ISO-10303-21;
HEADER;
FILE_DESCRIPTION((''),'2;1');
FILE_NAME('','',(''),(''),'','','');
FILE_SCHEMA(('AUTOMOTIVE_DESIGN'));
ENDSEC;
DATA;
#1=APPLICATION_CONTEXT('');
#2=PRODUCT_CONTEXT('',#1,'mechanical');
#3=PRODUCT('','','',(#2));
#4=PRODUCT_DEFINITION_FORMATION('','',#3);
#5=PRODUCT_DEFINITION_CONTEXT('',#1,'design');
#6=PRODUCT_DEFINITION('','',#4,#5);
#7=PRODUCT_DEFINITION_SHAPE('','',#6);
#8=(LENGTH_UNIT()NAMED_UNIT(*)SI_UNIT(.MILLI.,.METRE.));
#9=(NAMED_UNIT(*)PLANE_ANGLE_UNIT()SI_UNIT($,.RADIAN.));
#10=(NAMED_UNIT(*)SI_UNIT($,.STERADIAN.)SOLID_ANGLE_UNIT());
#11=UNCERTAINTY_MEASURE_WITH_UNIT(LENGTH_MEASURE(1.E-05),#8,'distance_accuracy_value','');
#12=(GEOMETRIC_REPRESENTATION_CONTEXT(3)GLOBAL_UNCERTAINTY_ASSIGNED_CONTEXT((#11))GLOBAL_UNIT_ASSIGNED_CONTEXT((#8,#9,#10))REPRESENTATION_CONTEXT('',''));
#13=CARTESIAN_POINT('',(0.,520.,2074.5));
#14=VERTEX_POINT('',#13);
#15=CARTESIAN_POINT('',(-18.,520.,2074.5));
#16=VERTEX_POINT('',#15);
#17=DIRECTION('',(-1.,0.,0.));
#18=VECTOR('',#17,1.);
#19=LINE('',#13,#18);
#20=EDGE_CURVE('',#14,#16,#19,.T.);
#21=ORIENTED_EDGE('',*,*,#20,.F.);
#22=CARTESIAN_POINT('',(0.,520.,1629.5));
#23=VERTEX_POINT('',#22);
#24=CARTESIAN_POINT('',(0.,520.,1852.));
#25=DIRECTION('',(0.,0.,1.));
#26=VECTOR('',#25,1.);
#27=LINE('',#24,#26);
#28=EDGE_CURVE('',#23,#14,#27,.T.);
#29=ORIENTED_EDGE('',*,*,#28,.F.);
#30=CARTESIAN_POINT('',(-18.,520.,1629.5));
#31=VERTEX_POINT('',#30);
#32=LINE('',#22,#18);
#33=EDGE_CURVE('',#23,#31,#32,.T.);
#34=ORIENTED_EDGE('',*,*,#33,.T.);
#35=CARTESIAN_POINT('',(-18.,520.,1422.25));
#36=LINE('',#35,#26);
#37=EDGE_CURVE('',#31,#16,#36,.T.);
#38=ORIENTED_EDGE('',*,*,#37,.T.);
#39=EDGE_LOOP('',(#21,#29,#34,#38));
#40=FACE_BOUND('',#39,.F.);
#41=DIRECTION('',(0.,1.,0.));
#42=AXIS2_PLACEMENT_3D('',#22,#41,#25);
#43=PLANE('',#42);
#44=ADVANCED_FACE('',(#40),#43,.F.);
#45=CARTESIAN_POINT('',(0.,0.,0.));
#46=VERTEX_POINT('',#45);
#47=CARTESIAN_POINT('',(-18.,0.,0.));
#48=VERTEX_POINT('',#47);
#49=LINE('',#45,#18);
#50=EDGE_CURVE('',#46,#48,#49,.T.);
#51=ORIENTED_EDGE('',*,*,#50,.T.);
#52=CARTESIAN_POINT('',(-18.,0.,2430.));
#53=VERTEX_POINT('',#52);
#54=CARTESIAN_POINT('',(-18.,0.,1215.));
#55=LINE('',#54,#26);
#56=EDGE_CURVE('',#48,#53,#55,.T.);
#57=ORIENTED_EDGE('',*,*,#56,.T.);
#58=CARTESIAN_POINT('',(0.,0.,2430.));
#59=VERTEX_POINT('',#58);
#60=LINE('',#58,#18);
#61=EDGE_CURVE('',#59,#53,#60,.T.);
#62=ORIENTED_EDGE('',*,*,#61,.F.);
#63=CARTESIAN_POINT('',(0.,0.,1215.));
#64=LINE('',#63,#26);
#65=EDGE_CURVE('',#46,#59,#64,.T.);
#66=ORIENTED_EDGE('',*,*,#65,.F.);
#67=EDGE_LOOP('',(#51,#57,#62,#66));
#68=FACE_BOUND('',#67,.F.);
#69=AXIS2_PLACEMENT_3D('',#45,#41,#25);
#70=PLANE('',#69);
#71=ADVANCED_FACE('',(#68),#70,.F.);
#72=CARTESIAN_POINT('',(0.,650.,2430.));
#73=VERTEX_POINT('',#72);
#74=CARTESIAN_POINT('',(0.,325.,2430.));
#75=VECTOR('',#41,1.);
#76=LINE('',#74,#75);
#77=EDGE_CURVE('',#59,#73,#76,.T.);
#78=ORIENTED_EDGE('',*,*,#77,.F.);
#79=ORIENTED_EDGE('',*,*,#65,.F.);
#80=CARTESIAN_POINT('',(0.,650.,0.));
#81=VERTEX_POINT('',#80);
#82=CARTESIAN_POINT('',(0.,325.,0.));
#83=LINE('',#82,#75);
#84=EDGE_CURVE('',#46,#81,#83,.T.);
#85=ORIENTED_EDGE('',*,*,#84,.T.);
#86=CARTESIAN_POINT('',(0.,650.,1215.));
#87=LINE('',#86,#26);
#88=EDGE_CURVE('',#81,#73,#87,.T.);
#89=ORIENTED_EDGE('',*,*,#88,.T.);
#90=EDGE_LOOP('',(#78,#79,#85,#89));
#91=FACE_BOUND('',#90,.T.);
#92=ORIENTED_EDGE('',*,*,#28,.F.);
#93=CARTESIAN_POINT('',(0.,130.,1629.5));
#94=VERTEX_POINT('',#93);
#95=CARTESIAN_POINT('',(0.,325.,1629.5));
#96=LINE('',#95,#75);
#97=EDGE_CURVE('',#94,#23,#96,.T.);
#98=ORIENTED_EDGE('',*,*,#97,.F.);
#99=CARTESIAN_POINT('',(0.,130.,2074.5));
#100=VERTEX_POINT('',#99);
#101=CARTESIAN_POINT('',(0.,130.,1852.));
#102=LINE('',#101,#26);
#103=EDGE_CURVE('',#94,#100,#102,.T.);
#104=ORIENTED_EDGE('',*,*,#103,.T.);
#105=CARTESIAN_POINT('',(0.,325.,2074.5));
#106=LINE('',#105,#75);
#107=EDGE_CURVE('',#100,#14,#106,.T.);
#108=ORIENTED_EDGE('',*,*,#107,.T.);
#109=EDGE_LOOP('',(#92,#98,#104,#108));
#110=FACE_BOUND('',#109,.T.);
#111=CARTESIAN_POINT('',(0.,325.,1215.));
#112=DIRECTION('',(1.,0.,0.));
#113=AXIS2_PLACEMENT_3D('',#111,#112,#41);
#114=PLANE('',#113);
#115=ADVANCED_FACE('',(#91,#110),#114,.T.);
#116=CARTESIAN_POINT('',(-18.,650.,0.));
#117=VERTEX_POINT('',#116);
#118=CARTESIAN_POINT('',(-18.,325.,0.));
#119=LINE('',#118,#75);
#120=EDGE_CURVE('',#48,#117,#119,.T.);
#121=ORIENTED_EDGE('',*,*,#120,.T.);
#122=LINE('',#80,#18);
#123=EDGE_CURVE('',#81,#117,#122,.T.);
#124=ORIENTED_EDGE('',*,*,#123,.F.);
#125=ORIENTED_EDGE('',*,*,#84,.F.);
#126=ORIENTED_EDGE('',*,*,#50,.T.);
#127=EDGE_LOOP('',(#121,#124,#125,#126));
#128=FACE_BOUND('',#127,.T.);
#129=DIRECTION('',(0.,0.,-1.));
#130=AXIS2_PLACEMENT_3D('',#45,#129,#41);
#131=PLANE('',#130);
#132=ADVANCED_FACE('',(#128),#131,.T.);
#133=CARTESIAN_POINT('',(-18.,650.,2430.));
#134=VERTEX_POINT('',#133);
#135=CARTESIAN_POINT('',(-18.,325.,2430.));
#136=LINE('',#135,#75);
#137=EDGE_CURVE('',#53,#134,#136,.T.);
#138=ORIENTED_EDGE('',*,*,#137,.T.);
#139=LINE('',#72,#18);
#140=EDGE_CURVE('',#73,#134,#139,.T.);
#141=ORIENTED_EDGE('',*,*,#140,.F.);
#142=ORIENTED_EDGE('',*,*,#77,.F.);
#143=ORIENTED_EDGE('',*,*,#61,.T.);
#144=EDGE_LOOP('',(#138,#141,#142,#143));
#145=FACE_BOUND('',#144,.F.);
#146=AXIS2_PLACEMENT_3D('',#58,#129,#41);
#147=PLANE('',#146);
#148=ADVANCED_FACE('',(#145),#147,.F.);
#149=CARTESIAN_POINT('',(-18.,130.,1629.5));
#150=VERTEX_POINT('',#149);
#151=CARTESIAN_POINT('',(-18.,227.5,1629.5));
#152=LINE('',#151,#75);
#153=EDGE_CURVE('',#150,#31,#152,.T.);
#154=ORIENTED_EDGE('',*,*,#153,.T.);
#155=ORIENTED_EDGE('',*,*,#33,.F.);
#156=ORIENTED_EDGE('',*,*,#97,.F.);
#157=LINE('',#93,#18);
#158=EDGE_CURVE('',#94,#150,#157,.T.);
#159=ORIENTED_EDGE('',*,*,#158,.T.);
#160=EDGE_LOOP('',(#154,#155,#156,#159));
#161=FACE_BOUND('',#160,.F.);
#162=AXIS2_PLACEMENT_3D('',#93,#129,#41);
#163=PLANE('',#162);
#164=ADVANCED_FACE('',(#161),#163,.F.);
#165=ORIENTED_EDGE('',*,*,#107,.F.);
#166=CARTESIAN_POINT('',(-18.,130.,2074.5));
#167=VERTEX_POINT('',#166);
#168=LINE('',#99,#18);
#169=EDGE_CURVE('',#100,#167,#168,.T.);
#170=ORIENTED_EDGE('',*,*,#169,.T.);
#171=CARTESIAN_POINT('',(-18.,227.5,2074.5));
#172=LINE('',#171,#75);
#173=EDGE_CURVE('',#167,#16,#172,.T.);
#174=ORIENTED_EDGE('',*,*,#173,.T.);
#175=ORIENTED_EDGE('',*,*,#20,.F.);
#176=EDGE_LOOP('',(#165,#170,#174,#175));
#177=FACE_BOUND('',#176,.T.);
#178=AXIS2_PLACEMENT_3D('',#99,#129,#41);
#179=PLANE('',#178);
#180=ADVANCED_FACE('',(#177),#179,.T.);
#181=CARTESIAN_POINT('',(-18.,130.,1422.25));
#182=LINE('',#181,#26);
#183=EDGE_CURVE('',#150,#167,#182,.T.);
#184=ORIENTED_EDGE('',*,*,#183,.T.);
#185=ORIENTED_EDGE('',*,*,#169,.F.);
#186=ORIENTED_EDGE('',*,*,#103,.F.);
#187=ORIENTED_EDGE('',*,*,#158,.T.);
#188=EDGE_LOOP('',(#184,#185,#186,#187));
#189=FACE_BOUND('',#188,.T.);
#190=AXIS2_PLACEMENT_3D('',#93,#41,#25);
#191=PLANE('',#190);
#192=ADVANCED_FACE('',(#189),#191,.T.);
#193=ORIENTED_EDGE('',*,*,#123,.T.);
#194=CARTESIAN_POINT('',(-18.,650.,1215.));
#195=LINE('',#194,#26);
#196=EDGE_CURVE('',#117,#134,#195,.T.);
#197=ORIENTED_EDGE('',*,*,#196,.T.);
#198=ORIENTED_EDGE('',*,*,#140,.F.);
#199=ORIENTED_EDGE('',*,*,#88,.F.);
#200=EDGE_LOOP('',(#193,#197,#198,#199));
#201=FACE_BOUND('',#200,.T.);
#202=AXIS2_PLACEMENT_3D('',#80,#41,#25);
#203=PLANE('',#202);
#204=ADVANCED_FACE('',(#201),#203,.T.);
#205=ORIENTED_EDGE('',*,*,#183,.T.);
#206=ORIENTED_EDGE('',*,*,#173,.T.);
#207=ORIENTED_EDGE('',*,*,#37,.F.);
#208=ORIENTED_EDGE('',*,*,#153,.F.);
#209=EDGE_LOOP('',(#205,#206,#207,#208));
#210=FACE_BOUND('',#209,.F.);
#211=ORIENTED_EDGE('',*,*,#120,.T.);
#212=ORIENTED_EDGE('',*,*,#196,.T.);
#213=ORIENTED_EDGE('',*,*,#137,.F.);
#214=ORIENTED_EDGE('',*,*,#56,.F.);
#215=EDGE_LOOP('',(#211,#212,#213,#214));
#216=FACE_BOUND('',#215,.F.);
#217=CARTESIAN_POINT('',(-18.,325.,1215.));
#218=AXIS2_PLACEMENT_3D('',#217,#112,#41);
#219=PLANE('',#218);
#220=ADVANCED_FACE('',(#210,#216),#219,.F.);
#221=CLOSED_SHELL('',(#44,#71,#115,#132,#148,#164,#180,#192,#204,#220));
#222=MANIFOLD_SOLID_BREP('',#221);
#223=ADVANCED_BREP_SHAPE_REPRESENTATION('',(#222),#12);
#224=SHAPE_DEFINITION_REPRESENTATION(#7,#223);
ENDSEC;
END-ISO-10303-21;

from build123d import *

# Parameters (mm, degrees)
F0_W     = 650
F0_H     = 2430
F1_DEPTH = 18
F2_W     = 390
F2_H     = 445
F3_DEPTH = 18.001


with BuildPart() as f1:
    # F0 (on Right) → F1 (new body)
    with BuildSketch(Plane.YZ):
        with Locations((325, 1215)):
            Rectangle(F0_W, F0_H)
    extrude(amount=-F1_DEPTH)

    # F2 (on face) → F3 (cut, through all)
    with BuildSketch(Plane.YZ):
        with Locations((325, 1852)):
            Rectangle(F2_W, F2_H)
    extrude(amount=-F3_DEPTH, mode=Mode.SUBTRACT)


solid = f1.part
